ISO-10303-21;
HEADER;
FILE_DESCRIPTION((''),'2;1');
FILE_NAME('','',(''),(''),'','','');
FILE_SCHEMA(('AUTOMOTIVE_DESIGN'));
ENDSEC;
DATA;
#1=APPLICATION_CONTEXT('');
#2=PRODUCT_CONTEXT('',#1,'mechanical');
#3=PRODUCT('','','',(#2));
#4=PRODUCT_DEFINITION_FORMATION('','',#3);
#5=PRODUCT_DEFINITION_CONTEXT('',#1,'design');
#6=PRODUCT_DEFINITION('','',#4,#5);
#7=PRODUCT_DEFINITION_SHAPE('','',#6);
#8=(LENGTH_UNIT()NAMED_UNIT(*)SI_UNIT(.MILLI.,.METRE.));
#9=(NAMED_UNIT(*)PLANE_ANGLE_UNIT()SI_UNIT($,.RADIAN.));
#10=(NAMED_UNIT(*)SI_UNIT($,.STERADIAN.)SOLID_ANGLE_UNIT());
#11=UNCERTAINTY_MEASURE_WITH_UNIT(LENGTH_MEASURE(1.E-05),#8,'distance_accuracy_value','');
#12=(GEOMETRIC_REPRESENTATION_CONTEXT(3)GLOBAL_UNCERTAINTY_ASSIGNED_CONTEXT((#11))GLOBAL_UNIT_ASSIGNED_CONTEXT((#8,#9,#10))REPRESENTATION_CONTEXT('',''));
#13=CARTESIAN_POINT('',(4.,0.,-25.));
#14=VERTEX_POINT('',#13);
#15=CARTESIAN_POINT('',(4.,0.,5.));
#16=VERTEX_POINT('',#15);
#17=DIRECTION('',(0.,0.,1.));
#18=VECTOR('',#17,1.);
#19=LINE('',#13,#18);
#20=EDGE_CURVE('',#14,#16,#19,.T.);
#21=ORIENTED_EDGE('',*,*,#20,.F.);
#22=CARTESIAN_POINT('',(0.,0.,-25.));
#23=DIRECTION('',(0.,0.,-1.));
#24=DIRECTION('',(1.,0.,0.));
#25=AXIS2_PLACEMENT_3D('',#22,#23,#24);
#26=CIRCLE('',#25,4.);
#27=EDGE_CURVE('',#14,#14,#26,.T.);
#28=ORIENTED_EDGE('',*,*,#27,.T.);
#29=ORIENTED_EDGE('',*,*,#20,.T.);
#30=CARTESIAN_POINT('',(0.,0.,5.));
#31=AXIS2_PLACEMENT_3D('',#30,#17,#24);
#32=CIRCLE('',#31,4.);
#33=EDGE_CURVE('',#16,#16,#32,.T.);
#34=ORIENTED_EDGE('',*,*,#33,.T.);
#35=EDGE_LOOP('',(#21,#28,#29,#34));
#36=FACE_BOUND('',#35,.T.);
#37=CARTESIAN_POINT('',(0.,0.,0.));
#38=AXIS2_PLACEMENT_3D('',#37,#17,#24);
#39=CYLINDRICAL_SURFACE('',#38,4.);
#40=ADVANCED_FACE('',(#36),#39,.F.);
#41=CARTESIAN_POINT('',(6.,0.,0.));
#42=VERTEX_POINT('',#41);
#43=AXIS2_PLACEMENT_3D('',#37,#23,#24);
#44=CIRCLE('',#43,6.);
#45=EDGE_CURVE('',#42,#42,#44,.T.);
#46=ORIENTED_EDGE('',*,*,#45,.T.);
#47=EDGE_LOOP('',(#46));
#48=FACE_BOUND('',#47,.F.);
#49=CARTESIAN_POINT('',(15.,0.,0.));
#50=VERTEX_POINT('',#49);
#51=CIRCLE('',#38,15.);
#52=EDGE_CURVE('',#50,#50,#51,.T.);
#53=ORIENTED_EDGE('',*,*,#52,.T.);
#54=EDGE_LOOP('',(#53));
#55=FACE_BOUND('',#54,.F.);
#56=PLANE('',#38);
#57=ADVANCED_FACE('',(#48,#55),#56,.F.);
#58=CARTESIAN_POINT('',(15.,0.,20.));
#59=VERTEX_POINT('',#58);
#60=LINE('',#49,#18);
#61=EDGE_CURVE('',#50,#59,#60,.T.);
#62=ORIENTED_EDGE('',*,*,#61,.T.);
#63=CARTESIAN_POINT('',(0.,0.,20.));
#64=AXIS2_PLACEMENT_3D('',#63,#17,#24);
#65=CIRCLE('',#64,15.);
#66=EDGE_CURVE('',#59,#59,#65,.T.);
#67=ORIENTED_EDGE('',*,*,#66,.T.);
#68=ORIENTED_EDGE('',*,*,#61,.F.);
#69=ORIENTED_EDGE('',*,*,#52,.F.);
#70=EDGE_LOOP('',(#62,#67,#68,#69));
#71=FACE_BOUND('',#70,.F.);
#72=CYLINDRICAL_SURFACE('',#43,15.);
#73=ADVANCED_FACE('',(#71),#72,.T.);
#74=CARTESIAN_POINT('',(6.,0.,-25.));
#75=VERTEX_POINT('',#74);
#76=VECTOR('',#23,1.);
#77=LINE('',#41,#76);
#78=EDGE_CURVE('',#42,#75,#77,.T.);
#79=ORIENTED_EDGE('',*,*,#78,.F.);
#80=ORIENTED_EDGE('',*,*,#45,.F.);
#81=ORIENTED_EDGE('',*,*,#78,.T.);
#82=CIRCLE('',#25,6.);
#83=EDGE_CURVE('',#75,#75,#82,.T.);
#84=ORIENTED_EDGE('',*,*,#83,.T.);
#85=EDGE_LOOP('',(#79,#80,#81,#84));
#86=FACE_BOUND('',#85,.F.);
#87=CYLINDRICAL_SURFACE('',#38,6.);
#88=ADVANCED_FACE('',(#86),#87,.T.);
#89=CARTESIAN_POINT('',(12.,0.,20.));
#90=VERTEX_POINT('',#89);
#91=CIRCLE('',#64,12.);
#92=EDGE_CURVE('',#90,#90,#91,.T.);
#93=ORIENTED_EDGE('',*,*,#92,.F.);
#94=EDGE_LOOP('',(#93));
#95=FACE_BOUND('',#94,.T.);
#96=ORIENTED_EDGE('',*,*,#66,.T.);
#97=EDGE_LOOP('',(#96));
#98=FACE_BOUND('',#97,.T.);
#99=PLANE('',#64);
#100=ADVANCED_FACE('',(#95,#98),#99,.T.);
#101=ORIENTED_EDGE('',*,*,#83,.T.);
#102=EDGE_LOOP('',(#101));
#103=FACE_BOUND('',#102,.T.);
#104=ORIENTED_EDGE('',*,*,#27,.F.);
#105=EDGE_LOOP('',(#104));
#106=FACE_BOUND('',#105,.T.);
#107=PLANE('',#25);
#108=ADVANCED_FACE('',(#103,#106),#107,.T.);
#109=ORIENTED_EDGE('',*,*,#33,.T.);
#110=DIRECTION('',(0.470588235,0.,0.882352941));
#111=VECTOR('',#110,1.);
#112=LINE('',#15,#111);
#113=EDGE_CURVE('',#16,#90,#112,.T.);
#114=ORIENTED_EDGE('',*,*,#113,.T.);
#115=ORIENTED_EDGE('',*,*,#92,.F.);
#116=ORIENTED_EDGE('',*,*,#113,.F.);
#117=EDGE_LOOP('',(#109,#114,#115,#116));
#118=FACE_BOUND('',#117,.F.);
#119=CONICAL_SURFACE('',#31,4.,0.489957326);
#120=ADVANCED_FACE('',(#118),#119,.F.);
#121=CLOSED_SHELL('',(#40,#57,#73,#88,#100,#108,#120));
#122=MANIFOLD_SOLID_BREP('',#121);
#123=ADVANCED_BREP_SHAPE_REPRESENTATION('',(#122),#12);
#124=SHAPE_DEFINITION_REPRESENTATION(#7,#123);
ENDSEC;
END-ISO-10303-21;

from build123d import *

# Parameters (mm, degrees)
F0_R     = 15
F0_R_2   = 4
F1_DEPTH = 20
F2_SIZE2 = 8
F2_SIZE  = 15
F3_R     = 6
F3_R_2   = 4
F4_DEPTH = 25


with BuildPart() as f1:
    # F0 (on Top) → F1 (new body)
    with BuildSketch(Plane.XY):
        Circle(F0_R)
        Circle(F0_R_2, mode=Mode.SUBTRACT)
    extrude(amount=F1_DEPTH)

    # F2
    f2_edges = [f1.edges().sort_by_distance(p)[0] for p in [
        (-4, 0, 20),
    ]]
    chamfer(f2_edges, length=F2_SIZE, length2=F2_SIZE2)

    # F3 (on face) → F4 (join)
    with BuildSketch(Plane(origin=(0, 0, 0), x_dir=(1, 0, 0), z_dir=(0, 0, -1))):
        Circle(F3_R)
        Circle(F3_R_2, mode=Mode.SUBTRACT)
    extrude(amount=F4_DEPTH)


solid = f1.part
